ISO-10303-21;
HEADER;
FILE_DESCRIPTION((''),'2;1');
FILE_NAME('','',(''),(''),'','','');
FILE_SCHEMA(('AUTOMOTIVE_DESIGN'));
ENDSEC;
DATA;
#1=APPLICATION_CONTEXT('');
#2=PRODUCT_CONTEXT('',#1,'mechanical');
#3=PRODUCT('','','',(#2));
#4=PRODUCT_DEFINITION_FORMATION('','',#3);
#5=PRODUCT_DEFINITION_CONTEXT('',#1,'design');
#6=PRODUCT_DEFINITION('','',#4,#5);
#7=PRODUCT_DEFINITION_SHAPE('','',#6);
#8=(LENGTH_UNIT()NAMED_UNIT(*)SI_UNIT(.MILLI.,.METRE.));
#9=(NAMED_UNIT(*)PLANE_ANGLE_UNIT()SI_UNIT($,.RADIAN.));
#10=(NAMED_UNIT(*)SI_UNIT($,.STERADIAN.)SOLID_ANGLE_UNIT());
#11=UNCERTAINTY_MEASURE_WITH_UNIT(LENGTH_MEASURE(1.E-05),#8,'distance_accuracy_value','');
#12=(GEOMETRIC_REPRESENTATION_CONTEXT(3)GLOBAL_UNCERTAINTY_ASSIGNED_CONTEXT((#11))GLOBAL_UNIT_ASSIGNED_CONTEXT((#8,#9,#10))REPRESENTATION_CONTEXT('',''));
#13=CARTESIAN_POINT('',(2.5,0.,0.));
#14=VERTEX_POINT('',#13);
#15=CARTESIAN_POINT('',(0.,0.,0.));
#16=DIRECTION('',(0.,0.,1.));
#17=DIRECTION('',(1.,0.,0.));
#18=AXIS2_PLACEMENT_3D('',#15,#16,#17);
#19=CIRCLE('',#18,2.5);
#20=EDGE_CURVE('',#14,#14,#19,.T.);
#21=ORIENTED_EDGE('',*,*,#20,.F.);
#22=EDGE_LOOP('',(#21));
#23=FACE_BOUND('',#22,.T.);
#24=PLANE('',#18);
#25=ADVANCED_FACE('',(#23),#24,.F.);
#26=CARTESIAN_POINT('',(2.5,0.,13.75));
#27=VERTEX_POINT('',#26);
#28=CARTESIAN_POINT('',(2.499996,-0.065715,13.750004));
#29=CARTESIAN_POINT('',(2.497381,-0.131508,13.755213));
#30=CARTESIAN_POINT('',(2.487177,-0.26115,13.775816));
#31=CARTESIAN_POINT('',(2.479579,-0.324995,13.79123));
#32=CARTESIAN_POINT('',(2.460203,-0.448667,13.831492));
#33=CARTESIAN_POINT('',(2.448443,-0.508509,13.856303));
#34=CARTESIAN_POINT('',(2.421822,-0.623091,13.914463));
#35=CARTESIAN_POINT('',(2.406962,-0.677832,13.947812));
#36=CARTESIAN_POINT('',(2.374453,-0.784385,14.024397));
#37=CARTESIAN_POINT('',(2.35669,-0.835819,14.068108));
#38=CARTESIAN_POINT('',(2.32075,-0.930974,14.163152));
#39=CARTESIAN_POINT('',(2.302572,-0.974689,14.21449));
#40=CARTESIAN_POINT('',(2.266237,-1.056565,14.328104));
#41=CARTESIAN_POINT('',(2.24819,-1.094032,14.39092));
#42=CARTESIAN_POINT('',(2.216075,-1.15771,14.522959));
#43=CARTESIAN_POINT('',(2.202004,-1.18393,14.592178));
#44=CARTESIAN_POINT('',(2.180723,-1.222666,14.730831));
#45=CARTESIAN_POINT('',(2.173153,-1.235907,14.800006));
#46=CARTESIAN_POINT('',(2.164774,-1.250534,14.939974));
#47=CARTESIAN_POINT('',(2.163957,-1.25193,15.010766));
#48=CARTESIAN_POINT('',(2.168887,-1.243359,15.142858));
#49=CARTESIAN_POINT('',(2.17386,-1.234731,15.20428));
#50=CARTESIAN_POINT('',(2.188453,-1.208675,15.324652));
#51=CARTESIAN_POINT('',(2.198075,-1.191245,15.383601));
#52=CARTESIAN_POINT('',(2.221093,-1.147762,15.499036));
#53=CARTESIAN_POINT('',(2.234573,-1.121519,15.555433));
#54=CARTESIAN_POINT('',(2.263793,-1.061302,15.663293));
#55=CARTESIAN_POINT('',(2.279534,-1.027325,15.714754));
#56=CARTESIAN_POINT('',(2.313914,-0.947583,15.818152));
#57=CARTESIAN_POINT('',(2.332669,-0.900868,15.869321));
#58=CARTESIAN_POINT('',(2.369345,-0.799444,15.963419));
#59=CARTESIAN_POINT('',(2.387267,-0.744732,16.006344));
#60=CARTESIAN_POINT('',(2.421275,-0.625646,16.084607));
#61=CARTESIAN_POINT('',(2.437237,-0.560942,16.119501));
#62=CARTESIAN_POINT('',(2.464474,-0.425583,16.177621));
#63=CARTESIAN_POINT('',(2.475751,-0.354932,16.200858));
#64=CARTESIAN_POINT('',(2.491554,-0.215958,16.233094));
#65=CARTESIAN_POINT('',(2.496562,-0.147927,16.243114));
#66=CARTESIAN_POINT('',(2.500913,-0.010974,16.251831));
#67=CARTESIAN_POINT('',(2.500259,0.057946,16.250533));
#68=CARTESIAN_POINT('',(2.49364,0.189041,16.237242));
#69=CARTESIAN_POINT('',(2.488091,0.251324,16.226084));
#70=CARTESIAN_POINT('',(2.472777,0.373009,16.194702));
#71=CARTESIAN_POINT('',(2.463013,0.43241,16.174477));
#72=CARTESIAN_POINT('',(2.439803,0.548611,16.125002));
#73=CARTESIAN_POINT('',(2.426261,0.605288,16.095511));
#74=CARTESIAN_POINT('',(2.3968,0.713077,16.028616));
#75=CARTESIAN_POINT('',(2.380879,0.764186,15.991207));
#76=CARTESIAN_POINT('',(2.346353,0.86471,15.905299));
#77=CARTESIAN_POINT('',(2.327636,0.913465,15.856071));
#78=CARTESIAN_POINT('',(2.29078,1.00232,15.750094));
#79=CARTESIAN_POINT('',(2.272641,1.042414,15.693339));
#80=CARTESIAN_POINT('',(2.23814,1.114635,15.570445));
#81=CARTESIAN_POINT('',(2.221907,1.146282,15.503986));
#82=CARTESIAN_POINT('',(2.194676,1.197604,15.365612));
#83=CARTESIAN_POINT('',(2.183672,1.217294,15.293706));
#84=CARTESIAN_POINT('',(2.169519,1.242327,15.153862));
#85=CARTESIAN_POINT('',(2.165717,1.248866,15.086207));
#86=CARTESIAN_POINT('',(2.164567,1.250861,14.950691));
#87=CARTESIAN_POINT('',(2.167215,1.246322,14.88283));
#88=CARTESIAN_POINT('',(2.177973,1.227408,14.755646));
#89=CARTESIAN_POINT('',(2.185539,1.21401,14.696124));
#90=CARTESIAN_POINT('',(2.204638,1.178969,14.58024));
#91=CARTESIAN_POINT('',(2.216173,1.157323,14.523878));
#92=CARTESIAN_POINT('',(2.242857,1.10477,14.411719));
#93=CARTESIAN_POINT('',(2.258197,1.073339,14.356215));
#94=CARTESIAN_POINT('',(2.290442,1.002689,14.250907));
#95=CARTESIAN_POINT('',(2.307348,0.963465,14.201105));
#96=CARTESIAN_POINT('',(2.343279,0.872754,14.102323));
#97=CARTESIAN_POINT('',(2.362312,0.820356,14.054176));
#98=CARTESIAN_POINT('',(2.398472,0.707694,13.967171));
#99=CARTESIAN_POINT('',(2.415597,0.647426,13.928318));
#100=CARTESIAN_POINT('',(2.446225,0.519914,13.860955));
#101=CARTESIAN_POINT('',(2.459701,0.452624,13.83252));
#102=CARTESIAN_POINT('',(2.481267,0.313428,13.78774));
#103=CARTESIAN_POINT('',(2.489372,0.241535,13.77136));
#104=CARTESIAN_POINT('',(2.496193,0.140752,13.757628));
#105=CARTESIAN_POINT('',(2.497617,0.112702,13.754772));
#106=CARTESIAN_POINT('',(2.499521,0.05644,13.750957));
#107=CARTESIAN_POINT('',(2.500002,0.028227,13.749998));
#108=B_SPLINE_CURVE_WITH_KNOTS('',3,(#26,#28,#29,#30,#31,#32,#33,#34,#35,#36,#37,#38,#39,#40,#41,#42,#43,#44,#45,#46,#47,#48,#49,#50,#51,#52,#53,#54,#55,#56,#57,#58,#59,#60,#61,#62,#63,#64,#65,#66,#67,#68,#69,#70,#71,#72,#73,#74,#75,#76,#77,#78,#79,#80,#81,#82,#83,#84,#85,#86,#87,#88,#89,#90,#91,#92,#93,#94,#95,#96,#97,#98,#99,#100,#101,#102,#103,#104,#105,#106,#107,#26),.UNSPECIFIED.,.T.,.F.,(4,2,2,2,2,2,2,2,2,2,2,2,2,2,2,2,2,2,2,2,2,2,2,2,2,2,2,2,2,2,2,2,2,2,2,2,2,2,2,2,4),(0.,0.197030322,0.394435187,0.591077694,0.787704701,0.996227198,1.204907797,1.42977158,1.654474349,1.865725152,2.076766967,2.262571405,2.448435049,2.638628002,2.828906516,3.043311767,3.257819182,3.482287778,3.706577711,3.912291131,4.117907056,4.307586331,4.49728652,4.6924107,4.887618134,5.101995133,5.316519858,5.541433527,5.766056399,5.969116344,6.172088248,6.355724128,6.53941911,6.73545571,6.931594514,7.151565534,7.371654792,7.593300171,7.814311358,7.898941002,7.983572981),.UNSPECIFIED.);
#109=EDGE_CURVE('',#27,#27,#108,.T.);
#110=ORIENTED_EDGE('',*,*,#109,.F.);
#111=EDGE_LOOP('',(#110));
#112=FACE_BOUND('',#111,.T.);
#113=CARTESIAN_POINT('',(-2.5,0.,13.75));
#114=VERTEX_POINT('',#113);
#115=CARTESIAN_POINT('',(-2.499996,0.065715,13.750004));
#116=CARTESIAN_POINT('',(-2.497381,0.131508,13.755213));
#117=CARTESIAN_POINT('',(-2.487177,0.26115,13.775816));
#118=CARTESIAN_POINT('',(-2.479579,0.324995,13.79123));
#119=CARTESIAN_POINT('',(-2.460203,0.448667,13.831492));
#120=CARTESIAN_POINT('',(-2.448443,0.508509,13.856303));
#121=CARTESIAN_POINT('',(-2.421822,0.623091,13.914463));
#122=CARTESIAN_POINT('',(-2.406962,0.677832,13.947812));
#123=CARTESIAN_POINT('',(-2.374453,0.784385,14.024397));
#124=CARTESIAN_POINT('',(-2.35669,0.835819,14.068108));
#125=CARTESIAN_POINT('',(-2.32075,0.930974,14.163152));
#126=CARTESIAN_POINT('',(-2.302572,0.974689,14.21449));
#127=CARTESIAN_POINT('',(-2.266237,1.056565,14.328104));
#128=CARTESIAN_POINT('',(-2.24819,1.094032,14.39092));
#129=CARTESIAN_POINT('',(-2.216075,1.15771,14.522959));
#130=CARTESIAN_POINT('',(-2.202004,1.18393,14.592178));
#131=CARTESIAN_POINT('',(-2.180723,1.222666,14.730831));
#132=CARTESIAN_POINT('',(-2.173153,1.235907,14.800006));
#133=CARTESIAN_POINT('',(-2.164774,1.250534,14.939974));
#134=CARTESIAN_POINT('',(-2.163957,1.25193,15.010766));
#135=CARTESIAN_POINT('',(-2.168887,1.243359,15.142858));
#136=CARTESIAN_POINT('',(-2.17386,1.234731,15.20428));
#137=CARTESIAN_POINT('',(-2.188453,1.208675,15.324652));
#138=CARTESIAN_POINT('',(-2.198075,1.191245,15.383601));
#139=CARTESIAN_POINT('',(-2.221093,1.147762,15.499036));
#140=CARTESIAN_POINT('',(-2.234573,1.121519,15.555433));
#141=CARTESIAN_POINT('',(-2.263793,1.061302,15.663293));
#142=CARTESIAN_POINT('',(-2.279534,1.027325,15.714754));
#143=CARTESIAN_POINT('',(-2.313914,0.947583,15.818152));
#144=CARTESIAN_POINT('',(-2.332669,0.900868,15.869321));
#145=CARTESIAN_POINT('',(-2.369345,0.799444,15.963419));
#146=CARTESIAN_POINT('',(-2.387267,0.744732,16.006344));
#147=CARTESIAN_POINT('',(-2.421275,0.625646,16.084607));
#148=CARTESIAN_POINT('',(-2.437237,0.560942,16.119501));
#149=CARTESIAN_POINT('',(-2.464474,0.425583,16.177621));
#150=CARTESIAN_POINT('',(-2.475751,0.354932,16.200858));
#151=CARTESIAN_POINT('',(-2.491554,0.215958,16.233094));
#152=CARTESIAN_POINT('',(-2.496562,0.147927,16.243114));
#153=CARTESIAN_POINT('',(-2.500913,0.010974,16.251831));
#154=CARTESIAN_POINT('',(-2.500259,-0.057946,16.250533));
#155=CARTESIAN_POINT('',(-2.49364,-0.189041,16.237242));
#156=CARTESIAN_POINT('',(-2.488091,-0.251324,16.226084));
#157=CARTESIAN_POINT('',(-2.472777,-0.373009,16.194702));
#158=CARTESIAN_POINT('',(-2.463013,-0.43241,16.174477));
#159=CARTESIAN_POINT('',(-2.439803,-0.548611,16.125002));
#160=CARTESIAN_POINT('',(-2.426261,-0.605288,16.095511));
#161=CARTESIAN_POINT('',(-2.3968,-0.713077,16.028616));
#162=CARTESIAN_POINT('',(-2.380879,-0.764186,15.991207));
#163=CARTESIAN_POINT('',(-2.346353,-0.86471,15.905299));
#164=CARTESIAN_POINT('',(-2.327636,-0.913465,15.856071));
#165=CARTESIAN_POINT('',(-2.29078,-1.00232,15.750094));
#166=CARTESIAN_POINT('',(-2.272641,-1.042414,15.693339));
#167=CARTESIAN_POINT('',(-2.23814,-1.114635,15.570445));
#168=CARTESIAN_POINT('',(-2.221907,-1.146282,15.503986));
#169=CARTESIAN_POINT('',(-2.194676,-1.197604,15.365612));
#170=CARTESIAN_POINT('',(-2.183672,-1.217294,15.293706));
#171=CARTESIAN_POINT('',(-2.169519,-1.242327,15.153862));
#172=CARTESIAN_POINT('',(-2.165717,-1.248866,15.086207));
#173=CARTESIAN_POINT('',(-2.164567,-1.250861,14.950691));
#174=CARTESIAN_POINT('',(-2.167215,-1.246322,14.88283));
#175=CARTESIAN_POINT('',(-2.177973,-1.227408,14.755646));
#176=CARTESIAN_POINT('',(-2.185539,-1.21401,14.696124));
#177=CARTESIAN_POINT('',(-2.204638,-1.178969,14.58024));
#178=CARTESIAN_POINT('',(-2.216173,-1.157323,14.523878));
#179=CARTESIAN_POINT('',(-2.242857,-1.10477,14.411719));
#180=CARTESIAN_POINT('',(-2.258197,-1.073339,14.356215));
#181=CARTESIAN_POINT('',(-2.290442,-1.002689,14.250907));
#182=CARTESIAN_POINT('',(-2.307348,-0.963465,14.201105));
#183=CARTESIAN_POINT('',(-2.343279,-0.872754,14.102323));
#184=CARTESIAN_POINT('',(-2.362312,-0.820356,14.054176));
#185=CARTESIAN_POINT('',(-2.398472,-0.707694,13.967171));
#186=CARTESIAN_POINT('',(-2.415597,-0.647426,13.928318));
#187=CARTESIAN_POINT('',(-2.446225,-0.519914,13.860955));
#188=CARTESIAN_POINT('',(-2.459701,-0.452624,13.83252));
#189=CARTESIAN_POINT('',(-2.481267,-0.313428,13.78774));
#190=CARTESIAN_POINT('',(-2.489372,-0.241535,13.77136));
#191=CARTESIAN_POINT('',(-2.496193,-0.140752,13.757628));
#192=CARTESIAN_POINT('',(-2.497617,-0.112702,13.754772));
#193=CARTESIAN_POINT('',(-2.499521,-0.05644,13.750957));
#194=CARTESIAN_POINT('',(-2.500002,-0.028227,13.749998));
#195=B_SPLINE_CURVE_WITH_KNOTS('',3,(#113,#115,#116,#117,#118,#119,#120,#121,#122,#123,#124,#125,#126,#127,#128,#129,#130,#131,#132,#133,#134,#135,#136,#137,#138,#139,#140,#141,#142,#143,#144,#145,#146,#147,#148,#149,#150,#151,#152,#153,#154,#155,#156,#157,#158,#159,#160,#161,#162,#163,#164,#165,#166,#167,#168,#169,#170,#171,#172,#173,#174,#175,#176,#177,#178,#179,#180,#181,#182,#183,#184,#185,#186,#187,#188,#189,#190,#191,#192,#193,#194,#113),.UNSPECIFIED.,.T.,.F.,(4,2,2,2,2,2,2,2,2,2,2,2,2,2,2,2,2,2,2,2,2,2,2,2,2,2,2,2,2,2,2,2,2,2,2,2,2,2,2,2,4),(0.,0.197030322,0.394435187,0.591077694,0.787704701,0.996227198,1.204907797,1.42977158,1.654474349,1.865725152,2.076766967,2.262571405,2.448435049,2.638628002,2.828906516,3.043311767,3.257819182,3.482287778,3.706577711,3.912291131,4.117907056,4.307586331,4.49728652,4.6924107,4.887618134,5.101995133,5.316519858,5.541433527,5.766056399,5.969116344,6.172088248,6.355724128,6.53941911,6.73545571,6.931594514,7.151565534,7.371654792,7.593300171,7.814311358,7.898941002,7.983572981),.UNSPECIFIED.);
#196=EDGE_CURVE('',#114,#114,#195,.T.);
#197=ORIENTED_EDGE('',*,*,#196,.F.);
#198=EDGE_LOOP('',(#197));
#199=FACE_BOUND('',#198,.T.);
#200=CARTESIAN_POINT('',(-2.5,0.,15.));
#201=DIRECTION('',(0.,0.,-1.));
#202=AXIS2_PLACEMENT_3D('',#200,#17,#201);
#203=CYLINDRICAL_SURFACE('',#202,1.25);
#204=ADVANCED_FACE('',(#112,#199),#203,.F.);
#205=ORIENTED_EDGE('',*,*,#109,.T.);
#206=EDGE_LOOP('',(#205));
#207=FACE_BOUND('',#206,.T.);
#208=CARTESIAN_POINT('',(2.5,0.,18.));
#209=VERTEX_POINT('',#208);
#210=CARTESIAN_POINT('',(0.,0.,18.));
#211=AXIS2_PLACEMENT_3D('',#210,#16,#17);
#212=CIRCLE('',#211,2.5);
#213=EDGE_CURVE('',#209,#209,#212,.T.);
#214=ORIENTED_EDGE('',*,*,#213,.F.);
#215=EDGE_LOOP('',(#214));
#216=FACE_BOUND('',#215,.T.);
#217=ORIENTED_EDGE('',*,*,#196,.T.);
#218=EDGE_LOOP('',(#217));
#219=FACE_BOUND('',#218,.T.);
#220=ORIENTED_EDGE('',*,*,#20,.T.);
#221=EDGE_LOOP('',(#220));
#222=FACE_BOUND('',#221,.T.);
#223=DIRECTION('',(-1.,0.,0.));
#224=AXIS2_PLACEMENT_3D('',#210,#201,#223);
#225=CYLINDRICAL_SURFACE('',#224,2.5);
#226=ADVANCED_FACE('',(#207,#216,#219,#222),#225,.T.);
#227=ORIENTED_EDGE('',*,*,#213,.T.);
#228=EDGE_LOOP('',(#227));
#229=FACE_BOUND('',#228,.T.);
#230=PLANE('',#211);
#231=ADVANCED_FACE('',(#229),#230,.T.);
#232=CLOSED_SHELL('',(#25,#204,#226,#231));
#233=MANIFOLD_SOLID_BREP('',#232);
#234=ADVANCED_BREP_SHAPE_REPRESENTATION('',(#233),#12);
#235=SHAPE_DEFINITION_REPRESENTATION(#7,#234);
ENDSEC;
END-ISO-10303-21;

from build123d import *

# Parameters (mm, degrees)
SKETCH1_R               = 2.5
BOSS_EXTRUDE1_DEPTH     = 18
SKETCH2_R               = 1.25
CUT_EXTRUDE2_DEPTH      = 3.5
CUT_EXTRUDE2_DEPTH_BACK = 3.5


with BuildPart() as part:
    # Sketch1 → Boss-Extrude1 (new body)
    with BuildSketch(Plane.XY):
        Circle(SKETCH1_R)
    extrude(amount=BOSS_EXTRUDE1_DEPTH)

    # Sketch2 → Cut-Extrude2 (cut, two sides)
    with BuildSketch(Plane(origin=(0, 0, 0), x_dir=(0, 0, -1), z_dir=(1, 0, 0))) as cut_extrude2_sk:
        with Locations((-15, 0)):
            Circle(SKETCH2_R)
    extrude(amount=CUT_EXTRUDE2_DEPTH, mode=Mode.SUBTRACT)
    extrude(cut_extrude2_sk.sketch, amount=-CUT_EXTRUDE2_DEPTH_BACK, mode=Mode.SUBTRACT)


solid = part.part
